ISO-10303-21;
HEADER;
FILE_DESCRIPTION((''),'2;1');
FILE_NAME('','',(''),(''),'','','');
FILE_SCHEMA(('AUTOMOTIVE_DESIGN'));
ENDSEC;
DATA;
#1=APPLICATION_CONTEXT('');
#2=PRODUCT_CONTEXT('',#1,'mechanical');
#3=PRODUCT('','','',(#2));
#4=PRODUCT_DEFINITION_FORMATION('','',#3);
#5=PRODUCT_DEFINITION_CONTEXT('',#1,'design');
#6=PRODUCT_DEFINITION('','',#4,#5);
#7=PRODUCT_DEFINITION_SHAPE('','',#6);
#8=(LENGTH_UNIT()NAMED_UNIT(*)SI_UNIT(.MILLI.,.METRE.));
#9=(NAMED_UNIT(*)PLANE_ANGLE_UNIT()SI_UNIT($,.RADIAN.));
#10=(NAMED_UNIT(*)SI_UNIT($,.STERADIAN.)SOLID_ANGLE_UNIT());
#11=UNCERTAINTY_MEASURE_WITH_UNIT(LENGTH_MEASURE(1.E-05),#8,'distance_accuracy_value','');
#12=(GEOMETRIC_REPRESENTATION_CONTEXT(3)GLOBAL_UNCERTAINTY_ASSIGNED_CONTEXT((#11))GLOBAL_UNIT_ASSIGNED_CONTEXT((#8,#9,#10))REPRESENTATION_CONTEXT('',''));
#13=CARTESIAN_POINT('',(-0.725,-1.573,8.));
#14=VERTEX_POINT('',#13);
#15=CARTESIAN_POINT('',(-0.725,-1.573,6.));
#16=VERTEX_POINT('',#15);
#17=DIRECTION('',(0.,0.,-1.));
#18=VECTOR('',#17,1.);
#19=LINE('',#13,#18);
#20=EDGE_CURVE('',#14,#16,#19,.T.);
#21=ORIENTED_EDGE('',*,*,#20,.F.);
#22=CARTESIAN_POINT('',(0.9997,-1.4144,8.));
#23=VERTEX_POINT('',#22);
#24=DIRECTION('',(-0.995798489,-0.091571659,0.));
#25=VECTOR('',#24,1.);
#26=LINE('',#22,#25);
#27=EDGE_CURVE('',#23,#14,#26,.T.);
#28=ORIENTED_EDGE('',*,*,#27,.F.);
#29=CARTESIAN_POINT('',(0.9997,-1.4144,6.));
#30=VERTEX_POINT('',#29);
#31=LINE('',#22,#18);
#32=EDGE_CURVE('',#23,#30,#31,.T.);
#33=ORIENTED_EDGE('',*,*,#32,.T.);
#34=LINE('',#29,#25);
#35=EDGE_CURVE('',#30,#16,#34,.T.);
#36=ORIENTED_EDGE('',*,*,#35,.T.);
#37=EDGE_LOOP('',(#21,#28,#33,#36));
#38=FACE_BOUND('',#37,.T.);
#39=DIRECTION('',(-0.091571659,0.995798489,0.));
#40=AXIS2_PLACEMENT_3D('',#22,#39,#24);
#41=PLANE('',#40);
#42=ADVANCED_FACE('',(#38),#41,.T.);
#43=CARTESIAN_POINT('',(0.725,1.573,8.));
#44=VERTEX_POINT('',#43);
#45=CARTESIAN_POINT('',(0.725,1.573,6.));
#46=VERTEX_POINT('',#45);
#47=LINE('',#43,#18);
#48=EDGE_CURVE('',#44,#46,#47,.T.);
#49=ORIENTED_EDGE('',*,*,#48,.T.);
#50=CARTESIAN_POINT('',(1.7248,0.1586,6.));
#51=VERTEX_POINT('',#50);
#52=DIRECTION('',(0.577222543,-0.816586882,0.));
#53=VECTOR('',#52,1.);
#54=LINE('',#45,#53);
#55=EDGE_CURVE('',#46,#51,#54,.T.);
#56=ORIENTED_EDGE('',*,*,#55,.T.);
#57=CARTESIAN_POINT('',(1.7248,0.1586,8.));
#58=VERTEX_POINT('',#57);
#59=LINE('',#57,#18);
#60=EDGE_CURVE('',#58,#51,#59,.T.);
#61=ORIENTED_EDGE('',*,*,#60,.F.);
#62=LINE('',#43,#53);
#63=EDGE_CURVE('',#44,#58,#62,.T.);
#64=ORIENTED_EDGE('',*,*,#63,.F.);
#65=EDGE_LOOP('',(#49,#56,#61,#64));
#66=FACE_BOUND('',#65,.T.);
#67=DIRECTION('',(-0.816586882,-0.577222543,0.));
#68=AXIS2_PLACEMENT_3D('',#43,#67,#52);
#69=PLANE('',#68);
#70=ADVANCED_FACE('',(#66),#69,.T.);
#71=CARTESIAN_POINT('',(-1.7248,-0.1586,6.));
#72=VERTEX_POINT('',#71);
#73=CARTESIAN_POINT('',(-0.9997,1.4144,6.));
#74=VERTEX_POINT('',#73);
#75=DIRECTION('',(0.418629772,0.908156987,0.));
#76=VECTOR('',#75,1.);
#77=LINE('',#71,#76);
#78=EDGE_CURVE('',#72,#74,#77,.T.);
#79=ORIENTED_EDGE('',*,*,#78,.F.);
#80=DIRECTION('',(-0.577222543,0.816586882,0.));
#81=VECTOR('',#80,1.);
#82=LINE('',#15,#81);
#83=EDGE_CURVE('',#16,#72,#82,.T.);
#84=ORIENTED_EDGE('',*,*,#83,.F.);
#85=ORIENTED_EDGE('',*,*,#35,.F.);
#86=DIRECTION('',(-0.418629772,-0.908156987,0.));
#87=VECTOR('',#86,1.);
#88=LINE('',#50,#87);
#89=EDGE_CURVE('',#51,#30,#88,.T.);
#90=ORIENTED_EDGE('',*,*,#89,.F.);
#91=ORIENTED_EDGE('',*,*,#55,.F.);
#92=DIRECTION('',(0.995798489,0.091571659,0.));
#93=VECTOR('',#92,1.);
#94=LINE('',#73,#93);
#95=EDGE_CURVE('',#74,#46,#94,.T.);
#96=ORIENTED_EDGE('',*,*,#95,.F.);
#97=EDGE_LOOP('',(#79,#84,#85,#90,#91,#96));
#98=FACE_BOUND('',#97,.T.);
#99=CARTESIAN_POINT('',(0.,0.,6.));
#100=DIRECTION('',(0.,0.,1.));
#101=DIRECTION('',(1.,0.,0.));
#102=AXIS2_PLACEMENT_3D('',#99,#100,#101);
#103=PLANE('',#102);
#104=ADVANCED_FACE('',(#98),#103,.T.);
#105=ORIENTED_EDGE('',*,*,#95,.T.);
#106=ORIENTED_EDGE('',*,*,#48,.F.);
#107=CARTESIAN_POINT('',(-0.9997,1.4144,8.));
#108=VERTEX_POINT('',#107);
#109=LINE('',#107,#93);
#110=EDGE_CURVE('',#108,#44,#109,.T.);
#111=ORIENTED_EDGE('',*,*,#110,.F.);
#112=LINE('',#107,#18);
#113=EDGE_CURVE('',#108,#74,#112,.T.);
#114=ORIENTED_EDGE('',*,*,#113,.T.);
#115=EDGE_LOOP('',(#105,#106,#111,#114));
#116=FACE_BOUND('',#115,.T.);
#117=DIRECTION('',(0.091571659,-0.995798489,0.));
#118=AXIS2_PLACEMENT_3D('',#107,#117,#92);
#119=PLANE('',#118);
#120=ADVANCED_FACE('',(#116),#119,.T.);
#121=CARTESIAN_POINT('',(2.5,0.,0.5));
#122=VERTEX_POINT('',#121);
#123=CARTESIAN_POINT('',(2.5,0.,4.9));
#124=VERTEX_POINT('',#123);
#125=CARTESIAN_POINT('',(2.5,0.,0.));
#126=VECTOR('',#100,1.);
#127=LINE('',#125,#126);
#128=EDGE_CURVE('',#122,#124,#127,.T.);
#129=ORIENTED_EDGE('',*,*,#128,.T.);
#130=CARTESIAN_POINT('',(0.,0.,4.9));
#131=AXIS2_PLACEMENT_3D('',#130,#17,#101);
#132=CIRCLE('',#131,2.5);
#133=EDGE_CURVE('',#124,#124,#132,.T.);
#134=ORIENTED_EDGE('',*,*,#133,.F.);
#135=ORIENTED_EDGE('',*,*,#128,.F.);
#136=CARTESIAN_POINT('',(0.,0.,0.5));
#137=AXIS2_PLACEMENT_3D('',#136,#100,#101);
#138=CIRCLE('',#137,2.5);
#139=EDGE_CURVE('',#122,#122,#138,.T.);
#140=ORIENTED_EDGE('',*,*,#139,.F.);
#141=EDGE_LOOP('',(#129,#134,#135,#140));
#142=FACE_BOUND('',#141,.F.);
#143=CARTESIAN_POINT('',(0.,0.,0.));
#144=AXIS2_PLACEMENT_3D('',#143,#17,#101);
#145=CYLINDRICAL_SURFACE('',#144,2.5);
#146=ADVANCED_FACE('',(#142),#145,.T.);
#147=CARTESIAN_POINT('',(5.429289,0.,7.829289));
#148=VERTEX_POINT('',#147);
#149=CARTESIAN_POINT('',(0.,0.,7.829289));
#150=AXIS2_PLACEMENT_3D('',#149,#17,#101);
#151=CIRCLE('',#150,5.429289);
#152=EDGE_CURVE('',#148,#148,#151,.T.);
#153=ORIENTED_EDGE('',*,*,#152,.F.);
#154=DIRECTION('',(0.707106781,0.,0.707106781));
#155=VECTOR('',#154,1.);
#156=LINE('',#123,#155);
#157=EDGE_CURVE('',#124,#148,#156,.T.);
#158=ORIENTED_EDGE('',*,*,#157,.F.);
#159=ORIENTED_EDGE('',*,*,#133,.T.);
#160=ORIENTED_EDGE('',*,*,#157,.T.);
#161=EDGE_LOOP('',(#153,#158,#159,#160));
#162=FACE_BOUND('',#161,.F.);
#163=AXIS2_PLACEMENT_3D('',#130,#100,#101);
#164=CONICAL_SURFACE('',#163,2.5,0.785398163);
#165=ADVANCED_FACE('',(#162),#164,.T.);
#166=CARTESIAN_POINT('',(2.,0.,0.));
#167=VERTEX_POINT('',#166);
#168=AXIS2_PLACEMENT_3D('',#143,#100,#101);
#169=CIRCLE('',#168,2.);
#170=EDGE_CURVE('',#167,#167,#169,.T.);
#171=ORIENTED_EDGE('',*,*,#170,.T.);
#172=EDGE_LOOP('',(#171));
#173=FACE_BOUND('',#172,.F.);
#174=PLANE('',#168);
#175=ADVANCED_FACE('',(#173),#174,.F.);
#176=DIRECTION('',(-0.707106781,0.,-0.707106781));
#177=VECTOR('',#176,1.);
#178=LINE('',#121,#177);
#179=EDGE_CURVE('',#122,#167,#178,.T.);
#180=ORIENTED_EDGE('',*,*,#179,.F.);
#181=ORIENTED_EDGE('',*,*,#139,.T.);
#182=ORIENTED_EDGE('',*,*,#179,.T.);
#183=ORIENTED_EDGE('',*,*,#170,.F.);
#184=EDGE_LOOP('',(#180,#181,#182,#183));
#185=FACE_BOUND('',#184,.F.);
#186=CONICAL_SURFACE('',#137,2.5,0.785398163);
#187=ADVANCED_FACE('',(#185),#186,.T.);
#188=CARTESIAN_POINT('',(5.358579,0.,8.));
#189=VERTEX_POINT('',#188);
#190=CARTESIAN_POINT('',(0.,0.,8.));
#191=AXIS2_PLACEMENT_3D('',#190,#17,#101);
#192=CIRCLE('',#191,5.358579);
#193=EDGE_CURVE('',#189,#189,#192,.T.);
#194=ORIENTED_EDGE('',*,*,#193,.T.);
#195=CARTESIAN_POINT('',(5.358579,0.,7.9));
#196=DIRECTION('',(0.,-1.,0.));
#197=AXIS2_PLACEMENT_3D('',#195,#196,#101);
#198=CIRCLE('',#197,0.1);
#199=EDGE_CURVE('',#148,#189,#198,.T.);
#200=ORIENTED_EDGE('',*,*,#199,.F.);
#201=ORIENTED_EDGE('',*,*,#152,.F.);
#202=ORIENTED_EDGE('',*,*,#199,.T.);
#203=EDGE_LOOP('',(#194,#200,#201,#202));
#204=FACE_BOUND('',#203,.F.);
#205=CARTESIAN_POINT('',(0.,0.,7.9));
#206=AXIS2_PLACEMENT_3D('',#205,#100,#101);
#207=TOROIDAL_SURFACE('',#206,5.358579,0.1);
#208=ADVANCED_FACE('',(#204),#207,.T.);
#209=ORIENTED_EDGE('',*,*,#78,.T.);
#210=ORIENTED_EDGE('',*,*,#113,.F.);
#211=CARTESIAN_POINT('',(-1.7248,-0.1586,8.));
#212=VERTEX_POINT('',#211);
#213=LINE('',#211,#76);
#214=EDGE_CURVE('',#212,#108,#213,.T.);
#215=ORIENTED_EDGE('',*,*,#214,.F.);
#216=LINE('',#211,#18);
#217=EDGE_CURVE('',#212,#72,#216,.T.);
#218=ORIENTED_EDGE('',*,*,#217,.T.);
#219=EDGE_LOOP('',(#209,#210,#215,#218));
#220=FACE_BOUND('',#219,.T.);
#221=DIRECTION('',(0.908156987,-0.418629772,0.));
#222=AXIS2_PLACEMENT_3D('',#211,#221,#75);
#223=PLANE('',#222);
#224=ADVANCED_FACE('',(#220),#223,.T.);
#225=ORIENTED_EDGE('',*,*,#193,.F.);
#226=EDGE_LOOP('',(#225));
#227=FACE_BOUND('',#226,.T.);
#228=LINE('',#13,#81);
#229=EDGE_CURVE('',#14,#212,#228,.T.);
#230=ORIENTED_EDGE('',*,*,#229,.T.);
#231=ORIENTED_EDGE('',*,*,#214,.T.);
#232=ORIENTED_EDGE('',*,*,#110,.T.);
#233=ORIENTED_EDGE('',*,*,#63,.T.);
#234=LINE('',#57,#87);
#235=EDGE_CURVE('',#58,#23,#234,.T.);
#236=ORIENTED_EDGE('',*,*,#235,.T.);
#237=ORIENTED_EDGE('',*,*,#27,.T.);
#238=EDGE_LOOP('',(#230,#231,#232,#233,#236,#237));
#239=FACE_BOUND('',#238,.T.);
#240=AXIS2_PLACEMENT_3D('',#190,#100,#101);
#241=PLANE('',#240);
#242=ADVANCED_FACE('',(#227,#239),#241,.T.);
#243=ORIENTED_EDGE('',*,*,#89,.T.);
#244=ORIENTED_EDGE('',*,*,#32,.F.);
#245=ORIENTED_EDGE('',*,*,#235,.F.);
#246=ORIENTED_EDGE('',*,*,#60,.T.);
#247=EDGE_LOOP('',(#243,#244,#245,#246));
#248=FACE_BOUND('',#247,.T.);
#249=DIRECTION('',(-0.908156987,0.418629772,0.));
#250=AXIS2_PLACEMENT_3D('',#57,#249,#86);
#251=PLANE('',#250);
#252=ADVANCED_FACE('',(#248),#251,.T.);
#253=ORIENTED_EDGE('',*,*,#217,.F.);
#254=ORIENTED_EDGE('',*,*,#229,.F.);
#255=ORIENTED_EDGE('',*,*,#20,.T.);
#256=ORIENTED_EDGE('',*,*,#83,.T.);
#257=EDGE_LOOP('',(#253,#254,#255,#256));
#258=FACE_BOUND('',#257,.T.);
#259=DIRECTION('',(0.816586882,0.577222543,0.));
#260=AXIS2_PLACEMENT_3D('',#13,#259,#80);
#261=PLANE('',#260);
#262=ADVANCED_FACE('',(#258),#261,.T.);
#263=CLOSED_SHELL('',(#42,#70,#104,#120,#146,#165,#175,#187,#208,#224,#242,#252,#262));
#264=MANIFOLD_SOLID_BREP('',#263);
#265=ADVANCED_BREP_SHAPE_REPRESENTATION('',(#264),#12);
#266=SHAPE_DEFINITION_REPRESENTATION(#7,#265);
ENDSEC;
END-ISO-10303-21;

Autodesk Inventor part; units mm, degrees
ref_plane "YZ Plane" through (0, 0, 0) normal (1, 0, 0) x (0, 1, 0)
ref_plane "XZ Plane" through (0, 0, 0) normal (0, 1, 0) x (-1, 0, 0)
ref_plane "XY Plane" through (0, 0, 0) normal (0, 0, 1) x (1, 0, 0)
sketch "Sketch1" plane through (0, 0, 0) normal (0, 0, 1) x (1, 0, 0)
  circle A0 centre (0, 0) radius 2.5
  dimension "Diameter" = 5
extrude "Extrusion1" add sketch "Sketch1" along normal blind 4.9
sketch "Sketch2" plane through (0, 0, 4.9) normal (0, 0, 1) x (1, 0, 0)
  circle A0 centre (0, 0) radius 2.5 projected
extrude "Extrusion2" add sketch "Sketch2" along normal blind 3.1 draft 45
sketch "Sketch3" plane through (0, 0, 8) normal (0, 0, 1) x (1, 0, 0)
  circle A0 centre (0, 0) radius 5.6 projected
  circle A1 centre (0, 0) radius 1.7321 construction
  line L0 (0.725, 1.573) -> (1.7248, 0.1586)
  line L1 (1.7248, 0.1586) -> (0.9997, -1.4144)
  line L2 (0.9997, -1.4144) -> (-0.725, -1.573)
  line L3 (-0.725, -1.573) -> (-1.7248, -0.1586)
  line L4 (-1.7248, -0.1586) -> (-0.9997, 1.4144)
  line L5 (-0.9997, 1.4144) -> (0.725, 1.573)
  dimension "Hex_Width" = 3
extrude "Extrusion3" cut sketch "Sketch3" against normal blind 2 contours L0 L1 L2 L3 L4 L5
thread "Thread1" size "M5x0.8" class "4g6g" standard "ANSI Metric M Profile" length 4.9
chamfer "Chamfer2" distance 0.5 angle 45 1 edges at (-2.5, 0, 0)
fillet "Fillet1" radius 0.1 1 edges at (-5.6, 0, 8)
equation "\"d10\" = Thread_Length"
equation "\"d13\" = Chamfer"
equation "\"Thread_Length\" = 4.9"
equation "\"Length\" = 8"
equation "\"Chamfer\" = 0.5"
properties part number "SCREW, FLAT HD, P, 5, M5X0.8X08MM"
